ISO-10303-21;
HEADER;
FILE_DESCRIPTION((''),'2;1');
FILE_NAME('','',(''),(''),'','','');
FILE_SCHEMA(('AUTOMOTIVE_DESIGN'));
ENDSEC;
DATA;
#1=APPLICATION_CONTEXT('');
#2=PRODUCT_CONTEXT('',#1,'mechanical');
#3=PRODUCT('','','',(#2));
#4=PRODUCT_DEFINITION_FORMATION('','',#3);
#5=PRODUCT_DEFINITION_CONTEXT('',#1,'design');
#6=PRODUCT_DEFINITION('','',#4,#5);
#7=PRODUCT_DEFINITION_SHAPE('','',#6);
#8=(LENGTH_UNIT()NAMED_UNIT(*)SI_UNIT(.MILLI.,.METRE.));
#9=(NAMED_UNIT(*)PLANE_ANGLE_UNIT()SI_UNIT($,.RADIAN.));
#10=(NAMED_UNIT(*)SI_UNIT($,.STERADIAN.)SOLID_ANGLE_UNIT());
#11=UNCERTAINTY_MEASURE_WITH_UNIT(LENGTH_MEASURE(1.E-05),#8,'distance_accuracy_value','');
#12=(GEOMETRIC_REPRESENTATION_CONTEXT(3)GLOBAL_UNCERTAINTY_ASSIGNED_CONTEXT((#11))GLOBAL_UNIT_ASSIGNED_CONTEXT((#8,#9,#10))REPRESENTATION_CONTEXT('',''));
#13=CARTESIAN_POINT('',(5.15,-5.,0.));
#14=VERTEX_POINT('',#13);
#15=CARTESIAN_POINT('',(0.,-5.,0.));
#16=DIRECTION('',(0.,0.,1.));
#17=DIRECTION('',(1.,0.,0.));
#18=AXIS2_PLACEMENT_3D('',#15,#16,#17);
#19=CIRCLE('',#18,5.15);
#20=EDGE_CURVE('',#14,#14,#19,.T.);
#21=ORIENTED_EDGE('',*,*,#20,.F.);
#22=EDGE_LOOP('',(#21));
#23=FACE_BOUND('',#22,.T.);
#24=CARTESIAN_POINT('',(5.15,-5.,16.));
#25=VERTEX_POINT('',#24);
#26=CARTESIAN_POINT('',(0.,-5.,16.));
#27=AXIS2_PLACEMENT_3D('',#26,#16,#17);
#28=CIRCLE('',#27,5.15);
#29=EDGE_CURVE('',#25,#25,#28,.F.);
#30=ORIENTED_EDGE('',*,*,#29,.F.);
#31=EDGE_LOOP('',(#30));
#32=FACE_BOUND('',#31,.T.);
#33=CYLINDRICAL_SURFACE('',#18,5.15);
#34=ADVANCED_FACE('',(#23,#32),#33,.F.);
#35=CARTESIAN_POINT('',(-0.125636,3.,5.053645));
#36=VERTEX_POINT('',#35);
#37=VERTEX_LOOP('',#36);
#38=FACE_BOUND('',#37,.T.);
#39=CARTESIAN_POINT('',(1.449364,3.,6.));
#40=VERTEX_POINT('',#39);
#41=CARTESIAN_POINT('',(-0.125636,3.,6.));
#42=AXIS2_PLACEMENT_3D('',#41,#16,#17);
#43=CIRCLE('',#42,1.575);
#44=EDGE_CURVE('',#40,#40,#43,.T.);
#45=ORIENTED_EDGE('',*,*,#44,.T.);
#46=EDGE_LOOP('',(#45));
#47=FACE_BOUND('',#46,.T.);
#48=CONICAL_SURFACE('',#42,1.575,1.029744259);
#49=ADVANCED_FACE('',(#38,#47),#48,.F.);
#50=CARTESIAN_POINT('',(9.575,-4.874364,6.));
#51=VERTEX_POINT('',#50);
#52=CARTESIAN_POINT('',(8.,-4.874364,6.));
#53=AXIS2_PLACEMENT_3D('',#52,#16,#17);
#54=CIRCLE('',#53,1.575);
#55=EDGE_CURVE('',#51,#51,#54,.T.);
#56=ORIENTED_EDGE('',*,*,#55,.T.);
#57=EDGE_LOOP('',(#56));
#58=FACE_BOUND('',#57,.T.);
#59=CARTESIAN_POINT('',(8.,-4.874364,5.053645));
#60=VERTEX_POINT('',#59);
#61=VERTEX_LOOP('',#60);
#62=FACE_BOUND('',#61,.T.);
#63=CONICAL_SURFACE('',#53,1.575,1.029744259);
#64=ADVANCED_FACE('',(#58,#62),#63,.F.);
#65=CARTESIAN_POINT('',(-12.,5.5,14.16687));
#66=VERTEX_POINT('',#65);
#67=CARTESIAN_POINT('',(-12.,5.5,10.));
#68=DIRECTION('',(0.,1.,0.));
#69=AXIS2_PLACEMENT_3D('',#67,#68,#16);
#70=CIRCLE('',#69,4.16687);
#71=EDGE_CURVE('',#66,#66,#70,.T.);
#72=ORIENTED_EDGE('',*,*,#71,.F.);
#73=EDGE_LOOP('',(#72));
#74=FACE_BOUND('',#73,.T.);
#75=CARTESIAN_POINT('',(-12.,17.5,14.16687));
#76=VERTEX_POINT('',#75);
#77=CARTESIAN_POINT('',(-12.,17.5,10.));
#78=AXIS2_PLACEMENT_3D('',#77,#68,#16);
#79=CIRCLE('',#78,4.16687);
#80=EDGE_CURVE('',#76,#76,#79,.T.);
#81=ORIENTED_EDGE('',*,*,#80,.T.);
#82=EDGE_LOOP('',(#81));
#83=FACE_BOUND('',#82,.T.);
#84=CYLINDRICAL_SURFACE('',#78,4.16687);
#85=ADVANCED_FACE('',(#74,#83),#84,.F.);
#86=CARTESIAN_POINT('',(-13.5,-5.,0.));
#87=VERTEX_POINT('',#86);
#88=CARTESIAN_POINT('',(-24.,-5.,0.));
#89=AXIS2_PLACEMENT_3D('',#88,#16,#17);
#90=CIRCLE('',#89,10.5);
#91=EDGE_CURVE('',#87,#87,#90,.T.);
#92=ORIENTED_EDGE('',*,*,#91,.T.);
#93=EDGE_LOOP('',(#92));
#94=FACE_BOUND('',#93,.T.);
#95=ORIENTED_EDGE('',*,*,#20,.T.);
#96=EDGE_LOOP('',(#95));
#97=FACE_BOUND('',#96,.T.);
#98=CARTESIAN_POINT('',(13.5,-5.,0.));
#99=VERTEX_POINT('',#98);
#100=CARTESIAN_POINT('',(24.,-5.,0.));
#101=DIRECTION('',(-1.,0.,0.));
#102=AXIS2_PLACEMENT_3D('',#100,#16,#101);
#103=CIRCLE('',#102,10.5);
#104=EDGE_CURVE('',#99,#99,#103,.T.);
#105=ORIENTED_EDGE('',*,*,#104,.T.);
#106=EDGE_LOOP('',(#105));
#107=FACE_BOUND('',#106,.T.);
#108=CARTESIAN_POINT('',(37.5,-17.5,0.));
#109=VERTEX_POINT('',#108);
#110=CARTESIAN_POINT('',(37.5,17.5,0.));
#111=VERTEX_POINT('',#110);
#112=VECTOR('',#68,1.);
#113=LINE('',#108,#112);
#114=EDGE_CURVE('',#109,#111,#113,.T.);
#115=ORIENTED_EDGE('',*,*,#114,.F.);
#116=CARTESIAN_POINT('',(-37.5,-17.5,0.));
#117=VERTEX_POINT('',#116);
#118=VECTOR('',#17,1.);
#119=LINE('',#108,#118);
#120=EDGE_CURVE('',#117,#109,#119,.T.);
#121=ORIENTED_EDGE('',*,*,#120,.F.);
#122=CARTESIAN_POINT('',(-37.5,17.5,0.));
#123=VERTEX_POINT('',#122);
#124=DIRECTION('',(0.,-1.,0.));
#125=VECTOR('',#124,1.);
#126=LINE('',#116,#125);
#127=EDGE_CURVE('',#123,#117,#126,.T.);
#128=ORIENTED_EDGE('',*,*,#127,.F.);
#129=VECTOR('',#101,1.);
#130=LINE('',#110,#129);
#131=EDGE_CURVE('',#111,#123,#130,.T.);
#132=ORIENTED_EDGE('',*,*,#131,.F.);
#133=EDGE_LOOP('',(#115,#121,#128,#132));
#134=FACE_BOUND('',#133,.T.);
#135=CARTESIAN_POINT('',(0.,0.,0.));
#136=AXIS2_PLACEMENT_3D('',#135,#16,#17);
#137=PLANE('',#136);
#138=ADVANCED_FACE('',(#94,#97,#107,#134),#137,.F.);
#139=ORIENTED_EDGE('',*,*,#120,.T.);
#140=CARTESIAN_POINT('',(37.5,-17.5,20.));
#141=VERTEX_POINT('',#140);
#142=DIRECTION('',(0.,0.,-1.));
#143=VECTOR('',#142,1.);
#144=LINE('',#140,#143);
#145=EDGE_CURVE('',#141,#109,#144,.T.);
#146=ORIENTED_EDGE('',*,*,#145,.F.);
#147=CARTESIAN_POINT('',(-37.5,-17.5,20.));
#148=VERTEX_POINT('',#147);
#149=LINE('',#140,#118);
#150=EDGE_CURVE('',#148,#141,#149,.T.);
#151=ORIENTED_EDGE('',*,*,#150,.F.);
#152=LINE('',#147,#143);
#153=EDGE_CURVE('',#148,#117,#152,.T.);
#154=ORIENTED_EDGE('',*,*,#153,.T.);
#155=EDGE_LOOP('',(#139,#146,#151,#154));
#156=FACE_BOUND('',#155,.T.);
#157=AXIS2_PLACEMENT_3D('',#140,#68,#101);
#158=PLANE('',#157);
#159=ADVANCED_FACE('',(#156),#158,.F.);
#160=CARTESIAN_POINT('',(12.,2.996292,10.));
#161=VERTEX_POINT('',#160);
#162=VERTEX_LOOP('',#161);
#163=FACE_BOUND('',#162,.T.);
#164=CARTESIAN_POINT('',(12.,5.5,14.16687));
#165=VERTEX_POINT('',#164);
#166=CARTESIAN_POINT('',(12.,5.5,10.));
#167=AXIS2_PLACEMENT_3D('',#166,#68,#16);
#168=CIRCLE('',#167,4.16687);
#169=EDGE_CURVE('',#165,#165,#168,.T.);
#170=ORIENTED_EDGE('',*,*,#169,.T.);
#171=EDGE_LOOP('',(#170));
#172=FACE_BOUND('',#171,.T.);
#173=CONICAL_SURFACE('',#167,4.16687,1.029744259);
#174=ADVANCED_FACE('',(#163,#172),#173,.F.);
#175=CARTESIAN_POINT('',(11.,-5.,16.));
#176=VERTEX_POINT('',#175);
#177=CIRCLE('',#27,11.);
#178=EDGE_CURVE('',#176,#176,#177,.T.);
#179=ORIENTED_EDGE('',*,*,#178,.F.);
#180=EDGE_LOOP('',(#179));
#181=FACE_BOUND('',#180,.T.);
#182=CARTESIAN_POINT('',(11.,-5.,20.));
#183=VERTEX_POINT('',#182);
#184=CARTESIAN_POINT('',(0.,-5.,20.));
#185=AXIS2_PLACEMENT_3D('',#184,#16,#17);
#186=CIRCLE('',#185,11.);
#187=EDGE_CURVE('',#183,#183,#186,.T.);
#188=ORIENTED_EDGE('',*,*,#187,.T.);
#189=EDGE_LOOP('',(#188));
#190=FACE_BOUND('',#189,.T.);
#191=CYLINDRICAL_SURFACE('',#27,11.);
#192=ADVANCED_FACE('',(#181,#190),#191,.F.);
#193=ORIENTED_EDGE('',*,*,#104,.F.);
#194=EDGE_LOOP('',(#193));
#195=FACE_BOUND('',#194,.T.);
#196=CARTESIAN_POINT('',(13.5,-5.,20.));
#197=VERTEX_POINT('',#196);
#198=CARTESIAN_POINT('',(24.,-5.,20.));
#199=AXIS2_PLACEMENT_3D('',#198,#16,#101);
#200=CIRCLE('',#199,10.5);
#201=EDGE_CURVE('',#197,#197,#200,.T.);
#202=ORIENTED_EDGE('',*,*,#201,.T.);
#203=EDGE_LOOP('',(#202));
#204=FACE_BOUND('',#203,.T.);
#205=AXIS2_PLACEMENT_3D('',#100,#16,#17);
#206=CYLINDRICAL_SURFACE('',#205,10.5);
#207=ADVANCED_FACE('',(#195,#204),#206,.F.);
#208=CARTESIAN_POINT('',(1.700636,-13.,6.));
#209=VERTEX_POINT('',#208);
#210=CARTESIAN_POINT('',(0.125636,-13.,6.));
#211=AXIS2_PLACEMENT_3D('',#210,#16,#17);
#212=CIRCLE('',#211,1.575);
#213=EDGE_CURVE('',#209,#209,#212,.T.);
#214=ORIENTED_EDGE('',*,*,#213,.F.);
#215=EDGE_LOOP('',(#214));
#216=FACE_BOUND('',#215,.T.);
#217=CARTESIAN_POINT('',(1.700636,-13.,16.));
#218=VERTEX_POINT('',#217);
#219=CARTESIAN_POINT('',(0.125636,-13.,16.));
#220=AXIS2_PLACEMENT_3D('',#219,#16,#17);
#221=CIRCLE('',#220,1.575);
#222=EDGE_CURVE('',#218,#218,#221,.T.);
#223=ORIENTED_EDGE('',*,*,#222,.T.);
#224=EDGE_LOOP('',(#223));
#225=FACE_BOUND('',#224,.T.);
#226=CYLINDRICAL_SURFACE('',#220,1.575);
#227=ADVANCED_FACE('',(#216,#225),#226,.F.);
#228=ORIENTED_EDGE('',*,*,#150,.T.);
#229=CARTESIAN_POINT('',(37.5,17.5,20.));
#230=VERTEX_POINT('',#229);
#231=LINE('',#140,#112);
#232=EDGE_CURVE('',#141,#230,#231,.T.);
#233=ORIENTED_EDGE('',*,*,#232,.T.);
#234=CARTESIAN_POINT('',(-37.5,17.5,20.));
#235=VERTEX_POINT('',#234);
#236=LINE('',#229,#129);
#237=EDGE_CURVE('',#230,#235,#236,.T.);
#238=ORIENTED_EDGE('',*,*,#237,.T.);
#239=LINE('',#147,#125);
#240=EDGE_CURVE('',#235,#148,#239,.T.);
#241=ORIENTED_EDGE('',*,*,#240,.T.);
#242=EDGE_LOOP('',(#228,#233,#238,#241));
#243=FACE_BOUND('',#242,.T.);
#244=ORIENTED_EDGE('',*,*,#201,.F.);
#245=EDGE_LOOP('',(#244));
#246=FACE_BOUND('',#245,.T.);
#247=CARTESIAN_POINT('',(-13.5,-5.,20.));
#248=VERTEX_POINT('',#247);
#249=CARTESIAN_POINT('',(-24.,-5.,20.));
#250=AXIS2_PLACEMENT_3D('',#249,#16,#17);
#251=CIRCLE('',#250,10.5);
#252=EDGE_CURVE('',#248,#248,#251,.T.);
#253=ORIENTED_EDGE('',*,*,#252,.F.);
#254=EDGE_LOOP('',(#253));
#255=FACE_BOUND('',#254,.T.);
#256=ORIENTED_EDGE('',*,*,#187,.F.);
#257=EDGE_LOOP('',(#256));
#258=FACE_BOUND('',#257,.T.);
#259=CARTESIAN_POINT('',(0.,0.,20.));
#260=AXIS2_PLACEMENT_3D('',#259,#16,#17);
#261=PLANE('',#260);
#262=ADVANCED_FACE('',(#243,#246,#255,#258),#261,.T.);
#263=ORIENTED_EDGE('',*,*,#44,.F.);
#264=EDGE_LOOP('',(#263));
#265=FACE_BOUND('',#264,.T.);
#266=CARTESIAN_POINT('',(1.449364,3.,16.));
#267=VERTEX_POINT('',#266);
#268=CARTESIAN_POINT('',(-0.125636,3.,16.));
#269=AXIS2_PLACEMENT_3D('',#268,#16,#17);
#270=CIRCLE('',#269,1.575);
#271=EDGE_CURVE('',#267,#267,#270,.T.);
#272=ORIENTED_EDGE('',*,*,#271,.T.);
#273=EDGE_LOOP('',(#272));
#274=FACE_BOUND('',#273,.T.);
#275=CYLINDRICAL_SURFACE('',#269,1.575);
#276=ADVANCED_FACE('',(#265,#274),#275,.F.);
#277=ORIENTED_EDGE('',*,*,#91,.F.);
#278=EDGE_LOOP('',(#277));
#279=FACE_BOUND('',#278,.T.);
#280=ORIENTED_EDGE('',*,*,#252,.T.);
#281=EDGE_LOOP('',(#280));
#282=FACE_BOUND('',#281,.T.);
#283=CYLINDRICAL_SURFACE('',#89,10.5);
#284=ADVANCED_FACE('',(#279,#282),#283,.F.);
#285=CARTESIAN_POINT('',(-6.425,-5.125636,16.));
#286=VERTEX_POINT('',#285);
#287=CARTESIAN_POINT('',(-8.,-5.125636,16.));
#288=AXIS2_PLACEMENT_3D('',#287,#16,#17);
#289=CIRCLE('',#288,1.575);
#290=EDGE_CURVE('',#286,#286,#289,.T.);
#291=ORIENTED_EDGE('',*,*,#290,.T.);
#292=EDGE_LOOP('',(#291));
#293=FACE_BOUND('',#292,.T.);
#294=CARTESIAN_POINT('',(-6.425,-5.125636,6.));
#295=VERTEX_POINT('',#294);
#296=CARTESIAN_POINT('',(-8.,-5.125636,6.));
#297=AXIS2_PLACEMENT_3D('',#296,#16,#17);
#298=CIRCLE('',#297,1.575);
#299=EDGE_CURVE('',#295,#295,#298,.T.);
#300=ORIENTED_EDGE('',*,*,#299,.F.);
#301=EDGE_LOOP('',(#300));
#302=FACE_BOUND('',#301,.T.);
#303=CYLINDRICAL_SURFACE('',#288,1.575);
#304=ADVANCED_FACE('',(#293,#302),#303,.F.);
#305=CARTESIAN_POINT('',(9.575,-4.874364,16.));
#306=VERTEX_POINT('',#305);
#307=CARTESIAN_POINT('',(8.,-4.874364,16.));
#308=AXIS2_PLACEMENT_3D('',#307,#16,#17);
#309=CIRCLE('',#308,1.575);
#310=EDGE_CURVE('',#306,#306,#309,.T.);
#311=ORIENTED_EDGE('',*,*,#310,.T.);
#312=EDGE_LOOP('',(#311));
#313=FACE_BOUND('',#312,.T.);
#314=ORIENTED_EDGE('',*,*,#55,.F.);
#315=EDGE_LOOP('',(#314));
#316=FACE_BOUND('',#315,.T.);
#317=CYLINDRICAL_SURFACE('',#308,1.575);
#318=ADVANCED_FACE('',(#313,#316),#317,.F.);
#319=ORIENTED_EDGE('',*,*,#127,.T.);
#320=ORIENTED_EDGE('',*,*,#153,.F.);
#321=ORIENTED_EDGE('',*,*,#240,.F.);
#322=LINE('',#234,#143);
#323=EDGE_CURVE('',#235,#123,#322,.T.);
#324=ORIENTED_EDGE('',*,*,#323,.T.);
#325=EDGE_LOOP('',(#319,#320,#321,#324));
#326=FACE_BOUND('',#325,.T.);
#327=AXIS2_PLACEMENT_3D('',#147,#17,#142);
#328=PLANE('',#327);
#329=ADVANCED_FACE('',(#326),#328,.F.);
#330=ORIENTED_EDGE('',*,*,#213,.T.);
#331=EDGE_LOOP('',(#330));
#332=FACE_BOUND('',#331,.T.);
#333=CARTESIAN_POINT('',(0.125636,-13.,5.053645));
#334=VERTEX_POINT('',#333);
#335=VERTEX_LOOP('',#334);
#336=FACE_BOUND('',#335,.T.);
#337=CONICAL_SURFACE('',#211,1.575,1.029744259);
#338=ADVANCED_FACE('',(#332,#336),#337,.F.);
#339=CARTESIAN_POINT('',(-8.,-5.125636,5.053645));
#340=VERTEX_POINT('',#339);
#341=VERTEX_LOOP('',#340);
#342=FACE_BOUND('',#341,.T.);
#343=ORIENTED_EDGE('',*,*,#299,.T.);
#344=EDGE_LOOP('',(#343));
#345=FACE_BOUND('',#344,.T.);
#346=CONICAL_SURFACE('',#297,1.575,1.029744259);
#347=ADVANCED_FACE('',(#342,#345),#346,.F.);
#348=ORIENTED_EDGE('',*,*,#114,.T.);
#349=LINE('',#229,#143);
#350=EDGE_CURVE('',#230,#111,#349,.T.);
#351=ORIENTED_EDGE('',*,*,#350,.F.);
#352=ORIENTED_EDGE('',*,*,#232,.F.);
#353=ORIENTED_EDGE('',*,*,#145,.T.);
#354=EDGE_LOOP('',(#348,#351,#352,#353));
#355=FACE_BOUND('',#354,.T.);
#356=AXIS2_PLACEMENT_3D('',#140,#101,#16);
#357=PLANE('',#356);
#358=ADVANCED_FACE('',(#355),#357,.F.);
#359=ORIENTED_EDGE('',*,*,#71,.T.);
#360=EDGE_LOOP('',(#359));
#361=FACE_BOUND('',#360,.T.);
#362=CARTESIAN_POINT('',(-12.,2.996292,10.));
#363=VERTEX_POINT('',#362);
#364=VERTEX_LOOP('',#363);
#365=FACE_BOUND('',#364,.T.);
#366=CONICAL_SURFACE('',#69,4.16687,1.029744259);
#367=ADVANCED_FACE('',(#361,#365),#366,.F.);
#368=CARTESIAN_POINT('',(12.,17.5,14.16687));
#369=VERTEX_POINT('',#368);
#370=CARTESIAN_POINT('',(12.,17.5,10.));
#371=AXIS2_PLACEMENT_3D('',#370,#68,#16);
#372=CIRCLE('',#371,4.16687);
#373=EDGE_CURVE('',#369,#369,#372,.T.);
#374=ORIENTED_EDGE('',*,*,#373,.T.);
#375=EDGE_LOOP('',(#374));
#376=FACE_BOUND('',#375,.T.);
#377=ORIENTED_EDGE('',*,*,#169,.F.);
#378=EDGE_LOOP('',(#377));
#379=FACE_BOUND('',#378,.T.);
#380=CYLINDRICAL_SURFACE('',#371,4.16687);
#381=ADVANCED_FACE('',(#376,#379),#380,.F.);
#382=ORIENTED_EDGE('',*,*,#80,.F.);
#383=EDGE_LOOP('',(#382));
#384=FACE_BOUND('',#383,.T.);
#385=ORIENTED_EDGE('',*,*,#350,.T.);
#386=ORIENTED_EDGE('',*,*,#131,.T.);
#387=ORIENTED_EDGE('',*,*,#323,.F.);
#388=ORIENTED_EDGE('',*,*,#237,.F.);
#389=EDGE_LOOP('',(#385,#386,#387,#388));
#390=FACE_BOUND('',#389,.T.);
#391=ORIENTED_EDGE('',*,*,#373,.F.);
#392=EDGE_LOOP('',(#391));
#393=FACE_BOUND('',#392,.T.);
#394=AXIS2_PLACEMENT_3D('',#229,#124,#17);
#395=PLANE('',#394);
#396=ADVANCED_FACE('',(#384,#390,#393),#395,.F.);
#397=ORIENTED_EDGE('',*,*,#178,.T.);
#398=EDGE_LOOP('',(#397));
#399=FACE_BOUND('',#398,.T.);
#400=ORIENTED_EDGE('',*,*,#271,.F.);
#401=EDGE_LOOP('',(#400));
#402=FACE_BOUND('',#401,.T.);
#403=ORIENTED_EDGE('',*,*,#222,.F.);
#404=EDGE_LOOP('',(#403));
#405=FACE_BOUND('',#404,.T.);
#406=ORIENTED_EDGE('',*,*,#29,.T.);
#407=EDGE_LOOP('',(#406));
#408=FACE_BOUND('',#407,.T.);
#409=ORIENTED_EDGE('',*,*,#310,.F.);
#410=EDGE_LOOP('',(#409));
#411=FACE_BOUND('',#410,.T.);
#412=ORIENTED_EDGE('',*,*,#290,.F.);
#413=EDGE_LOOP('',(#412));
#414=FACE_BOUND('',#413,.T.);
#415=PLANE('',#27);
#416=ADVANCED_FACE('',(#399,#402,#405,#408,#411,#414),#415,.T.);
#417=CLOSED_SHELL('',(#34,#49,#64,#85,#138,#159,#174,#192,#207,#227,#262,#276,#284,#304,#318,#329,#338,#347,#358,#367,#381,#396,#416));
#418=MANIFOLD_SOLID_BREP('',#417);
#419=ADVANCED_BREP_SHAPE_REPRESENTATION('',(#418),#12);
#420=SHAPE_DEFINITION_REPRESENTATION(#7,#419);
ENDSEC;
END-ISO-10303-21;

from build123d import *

# Parameters (mm, degrees)
ESBO_O1_W                                    = 75
ESBO_O1_H                                    = 35
RESSALTO_EXTRUS_O1_DEPTH                     = 20
ESBO_O2_R                                    = 10.5
ESBO_O2_R_2                                  = 5.15
CORTE_EXTRUS_O1_DEPTH                        = 21
ESBO_O3_R                                    = 11
CORTE_EXTRUS_O2_DEPTH                        = 4
FURO_ROSCADO_PARA_CONDU_TE_DE_M3X0_51_D      = 3.15
FURO_ROSCADO_PARA_CONDU_TE_DE_M3X0_51_DEPTH  = 10
FURO_ROSCADO_PARA_CONDU_TE_DE_M3X0_51_TIP    = 0.946355475
FURO_ROSCADO_PARA_CONDU_TE_DE_5_16_241_D     = 8.33374
FURO_ROSCADO_PARA_CONDU_TE_DE_5_16_241_DEPTH = 12
FURO_ROSCADO_PARA_CONDU_TE_DE_5_16_241_TIP   = 2.503708088


with BuildPart() as part:
    # Esboço1 → Ressalto-extrusão1 (new body)
    with BuildSketch(Plane.XY):
        Rectangle(ESBO_O1_W, ESBO_O1_H)
    extrude(amount=RESSALTO_EXTRUS_O1_DEPTH)

    # Esboço2 → Corte-extrusão1 (cut, through all)
    with BuildSketch(Plane.XY.offset(20)):
        with Locations((-24, -5)):
            Circle(ESBO_O2_R)
        with Locations((0, -5)):
            Circle(ESBO_O2_R_2)
        with Locations((24, -5)):
            Circle(ESBO_O2_R)
    extrude(amount=-CORTE_EXTRUS_O1_DEPTH, mode=Mode.SUBTRACT)

    # Esboço3 → Corte-extrusão2 (cut)
    with BuildSketch(Plane.XY.offset(20)):
        with Locations((0, -5)):
            Circle(ESBO_O3_R)
    extrude(amount=-CORTE_EXTRUS_O2_DEPTH, mode=Mode.SUBTRACT)

    # Furo roscado para conduíte de M3x0.51
    with Locations(Plane.XY.offset(16)):
        with Locations((-8, -5.125635555), (-0.125635555, 3), (8, -4.874364445), (0.125635555, -13)):
            Hole(FURO_ROSCADO_PARA_CONDU_TE_DE_M3X0_51_D / 2, depth=FURO_ROSCADO_PARA_CONDU_TE_DE_M3X0_51_DEPTH)
            with Locations((0, 0, -(FURO_ROSCADO_PARA_CONDU_TE_DE_M3X0_51_DEPTH + FURO_ROSCADO_PARA_CONDU_TE_DE_M3X0_51_TIP / 2))):  # 118° drill point
                Cone(0, FURO_ROSCADO_PARA_CONDU_TE_DE_M3X0_51_D / 2, FURO_ROSCADO_PARA_CONDU_TE_DE_M3X0_51_TIP, mode=Mode.SUBTRACT)

    # Furo roscado para conduíte de 5/16-241
    with Locations(Plane(origin=(0, 17.5, 0), x_dir=(1, 0, 0), z_dir=(0, 1, 0))):
        with Locations((-12, -10), (12, -10)):
            Hole(FURO_ROSCADO_PARA_CONDU_TE_DE_5_16_241_D / 2, depth=FURO_ROSCADO_PARA_CONDU_TE_DE_5_16_241_DEPTH)
            with Locations((0, 0, -(FURO_ROSCADO_PARA_CONDU_TE_DE_5_16_241_DEPTH + FURO_ROSCADO_PARA_CONDU_TE_DE_5_16_241_TIP / 2))):  # 118° drill point
                Cone(0, FURO_ROSCADO_PARA_CONDU_TE_DE_5_16_241_D / 2, FURO_ROSCADO_PARA_CONDU_TE_DE_5_16_241_TIP, mode=Mode.SUBTRACT)


solid = part.part
